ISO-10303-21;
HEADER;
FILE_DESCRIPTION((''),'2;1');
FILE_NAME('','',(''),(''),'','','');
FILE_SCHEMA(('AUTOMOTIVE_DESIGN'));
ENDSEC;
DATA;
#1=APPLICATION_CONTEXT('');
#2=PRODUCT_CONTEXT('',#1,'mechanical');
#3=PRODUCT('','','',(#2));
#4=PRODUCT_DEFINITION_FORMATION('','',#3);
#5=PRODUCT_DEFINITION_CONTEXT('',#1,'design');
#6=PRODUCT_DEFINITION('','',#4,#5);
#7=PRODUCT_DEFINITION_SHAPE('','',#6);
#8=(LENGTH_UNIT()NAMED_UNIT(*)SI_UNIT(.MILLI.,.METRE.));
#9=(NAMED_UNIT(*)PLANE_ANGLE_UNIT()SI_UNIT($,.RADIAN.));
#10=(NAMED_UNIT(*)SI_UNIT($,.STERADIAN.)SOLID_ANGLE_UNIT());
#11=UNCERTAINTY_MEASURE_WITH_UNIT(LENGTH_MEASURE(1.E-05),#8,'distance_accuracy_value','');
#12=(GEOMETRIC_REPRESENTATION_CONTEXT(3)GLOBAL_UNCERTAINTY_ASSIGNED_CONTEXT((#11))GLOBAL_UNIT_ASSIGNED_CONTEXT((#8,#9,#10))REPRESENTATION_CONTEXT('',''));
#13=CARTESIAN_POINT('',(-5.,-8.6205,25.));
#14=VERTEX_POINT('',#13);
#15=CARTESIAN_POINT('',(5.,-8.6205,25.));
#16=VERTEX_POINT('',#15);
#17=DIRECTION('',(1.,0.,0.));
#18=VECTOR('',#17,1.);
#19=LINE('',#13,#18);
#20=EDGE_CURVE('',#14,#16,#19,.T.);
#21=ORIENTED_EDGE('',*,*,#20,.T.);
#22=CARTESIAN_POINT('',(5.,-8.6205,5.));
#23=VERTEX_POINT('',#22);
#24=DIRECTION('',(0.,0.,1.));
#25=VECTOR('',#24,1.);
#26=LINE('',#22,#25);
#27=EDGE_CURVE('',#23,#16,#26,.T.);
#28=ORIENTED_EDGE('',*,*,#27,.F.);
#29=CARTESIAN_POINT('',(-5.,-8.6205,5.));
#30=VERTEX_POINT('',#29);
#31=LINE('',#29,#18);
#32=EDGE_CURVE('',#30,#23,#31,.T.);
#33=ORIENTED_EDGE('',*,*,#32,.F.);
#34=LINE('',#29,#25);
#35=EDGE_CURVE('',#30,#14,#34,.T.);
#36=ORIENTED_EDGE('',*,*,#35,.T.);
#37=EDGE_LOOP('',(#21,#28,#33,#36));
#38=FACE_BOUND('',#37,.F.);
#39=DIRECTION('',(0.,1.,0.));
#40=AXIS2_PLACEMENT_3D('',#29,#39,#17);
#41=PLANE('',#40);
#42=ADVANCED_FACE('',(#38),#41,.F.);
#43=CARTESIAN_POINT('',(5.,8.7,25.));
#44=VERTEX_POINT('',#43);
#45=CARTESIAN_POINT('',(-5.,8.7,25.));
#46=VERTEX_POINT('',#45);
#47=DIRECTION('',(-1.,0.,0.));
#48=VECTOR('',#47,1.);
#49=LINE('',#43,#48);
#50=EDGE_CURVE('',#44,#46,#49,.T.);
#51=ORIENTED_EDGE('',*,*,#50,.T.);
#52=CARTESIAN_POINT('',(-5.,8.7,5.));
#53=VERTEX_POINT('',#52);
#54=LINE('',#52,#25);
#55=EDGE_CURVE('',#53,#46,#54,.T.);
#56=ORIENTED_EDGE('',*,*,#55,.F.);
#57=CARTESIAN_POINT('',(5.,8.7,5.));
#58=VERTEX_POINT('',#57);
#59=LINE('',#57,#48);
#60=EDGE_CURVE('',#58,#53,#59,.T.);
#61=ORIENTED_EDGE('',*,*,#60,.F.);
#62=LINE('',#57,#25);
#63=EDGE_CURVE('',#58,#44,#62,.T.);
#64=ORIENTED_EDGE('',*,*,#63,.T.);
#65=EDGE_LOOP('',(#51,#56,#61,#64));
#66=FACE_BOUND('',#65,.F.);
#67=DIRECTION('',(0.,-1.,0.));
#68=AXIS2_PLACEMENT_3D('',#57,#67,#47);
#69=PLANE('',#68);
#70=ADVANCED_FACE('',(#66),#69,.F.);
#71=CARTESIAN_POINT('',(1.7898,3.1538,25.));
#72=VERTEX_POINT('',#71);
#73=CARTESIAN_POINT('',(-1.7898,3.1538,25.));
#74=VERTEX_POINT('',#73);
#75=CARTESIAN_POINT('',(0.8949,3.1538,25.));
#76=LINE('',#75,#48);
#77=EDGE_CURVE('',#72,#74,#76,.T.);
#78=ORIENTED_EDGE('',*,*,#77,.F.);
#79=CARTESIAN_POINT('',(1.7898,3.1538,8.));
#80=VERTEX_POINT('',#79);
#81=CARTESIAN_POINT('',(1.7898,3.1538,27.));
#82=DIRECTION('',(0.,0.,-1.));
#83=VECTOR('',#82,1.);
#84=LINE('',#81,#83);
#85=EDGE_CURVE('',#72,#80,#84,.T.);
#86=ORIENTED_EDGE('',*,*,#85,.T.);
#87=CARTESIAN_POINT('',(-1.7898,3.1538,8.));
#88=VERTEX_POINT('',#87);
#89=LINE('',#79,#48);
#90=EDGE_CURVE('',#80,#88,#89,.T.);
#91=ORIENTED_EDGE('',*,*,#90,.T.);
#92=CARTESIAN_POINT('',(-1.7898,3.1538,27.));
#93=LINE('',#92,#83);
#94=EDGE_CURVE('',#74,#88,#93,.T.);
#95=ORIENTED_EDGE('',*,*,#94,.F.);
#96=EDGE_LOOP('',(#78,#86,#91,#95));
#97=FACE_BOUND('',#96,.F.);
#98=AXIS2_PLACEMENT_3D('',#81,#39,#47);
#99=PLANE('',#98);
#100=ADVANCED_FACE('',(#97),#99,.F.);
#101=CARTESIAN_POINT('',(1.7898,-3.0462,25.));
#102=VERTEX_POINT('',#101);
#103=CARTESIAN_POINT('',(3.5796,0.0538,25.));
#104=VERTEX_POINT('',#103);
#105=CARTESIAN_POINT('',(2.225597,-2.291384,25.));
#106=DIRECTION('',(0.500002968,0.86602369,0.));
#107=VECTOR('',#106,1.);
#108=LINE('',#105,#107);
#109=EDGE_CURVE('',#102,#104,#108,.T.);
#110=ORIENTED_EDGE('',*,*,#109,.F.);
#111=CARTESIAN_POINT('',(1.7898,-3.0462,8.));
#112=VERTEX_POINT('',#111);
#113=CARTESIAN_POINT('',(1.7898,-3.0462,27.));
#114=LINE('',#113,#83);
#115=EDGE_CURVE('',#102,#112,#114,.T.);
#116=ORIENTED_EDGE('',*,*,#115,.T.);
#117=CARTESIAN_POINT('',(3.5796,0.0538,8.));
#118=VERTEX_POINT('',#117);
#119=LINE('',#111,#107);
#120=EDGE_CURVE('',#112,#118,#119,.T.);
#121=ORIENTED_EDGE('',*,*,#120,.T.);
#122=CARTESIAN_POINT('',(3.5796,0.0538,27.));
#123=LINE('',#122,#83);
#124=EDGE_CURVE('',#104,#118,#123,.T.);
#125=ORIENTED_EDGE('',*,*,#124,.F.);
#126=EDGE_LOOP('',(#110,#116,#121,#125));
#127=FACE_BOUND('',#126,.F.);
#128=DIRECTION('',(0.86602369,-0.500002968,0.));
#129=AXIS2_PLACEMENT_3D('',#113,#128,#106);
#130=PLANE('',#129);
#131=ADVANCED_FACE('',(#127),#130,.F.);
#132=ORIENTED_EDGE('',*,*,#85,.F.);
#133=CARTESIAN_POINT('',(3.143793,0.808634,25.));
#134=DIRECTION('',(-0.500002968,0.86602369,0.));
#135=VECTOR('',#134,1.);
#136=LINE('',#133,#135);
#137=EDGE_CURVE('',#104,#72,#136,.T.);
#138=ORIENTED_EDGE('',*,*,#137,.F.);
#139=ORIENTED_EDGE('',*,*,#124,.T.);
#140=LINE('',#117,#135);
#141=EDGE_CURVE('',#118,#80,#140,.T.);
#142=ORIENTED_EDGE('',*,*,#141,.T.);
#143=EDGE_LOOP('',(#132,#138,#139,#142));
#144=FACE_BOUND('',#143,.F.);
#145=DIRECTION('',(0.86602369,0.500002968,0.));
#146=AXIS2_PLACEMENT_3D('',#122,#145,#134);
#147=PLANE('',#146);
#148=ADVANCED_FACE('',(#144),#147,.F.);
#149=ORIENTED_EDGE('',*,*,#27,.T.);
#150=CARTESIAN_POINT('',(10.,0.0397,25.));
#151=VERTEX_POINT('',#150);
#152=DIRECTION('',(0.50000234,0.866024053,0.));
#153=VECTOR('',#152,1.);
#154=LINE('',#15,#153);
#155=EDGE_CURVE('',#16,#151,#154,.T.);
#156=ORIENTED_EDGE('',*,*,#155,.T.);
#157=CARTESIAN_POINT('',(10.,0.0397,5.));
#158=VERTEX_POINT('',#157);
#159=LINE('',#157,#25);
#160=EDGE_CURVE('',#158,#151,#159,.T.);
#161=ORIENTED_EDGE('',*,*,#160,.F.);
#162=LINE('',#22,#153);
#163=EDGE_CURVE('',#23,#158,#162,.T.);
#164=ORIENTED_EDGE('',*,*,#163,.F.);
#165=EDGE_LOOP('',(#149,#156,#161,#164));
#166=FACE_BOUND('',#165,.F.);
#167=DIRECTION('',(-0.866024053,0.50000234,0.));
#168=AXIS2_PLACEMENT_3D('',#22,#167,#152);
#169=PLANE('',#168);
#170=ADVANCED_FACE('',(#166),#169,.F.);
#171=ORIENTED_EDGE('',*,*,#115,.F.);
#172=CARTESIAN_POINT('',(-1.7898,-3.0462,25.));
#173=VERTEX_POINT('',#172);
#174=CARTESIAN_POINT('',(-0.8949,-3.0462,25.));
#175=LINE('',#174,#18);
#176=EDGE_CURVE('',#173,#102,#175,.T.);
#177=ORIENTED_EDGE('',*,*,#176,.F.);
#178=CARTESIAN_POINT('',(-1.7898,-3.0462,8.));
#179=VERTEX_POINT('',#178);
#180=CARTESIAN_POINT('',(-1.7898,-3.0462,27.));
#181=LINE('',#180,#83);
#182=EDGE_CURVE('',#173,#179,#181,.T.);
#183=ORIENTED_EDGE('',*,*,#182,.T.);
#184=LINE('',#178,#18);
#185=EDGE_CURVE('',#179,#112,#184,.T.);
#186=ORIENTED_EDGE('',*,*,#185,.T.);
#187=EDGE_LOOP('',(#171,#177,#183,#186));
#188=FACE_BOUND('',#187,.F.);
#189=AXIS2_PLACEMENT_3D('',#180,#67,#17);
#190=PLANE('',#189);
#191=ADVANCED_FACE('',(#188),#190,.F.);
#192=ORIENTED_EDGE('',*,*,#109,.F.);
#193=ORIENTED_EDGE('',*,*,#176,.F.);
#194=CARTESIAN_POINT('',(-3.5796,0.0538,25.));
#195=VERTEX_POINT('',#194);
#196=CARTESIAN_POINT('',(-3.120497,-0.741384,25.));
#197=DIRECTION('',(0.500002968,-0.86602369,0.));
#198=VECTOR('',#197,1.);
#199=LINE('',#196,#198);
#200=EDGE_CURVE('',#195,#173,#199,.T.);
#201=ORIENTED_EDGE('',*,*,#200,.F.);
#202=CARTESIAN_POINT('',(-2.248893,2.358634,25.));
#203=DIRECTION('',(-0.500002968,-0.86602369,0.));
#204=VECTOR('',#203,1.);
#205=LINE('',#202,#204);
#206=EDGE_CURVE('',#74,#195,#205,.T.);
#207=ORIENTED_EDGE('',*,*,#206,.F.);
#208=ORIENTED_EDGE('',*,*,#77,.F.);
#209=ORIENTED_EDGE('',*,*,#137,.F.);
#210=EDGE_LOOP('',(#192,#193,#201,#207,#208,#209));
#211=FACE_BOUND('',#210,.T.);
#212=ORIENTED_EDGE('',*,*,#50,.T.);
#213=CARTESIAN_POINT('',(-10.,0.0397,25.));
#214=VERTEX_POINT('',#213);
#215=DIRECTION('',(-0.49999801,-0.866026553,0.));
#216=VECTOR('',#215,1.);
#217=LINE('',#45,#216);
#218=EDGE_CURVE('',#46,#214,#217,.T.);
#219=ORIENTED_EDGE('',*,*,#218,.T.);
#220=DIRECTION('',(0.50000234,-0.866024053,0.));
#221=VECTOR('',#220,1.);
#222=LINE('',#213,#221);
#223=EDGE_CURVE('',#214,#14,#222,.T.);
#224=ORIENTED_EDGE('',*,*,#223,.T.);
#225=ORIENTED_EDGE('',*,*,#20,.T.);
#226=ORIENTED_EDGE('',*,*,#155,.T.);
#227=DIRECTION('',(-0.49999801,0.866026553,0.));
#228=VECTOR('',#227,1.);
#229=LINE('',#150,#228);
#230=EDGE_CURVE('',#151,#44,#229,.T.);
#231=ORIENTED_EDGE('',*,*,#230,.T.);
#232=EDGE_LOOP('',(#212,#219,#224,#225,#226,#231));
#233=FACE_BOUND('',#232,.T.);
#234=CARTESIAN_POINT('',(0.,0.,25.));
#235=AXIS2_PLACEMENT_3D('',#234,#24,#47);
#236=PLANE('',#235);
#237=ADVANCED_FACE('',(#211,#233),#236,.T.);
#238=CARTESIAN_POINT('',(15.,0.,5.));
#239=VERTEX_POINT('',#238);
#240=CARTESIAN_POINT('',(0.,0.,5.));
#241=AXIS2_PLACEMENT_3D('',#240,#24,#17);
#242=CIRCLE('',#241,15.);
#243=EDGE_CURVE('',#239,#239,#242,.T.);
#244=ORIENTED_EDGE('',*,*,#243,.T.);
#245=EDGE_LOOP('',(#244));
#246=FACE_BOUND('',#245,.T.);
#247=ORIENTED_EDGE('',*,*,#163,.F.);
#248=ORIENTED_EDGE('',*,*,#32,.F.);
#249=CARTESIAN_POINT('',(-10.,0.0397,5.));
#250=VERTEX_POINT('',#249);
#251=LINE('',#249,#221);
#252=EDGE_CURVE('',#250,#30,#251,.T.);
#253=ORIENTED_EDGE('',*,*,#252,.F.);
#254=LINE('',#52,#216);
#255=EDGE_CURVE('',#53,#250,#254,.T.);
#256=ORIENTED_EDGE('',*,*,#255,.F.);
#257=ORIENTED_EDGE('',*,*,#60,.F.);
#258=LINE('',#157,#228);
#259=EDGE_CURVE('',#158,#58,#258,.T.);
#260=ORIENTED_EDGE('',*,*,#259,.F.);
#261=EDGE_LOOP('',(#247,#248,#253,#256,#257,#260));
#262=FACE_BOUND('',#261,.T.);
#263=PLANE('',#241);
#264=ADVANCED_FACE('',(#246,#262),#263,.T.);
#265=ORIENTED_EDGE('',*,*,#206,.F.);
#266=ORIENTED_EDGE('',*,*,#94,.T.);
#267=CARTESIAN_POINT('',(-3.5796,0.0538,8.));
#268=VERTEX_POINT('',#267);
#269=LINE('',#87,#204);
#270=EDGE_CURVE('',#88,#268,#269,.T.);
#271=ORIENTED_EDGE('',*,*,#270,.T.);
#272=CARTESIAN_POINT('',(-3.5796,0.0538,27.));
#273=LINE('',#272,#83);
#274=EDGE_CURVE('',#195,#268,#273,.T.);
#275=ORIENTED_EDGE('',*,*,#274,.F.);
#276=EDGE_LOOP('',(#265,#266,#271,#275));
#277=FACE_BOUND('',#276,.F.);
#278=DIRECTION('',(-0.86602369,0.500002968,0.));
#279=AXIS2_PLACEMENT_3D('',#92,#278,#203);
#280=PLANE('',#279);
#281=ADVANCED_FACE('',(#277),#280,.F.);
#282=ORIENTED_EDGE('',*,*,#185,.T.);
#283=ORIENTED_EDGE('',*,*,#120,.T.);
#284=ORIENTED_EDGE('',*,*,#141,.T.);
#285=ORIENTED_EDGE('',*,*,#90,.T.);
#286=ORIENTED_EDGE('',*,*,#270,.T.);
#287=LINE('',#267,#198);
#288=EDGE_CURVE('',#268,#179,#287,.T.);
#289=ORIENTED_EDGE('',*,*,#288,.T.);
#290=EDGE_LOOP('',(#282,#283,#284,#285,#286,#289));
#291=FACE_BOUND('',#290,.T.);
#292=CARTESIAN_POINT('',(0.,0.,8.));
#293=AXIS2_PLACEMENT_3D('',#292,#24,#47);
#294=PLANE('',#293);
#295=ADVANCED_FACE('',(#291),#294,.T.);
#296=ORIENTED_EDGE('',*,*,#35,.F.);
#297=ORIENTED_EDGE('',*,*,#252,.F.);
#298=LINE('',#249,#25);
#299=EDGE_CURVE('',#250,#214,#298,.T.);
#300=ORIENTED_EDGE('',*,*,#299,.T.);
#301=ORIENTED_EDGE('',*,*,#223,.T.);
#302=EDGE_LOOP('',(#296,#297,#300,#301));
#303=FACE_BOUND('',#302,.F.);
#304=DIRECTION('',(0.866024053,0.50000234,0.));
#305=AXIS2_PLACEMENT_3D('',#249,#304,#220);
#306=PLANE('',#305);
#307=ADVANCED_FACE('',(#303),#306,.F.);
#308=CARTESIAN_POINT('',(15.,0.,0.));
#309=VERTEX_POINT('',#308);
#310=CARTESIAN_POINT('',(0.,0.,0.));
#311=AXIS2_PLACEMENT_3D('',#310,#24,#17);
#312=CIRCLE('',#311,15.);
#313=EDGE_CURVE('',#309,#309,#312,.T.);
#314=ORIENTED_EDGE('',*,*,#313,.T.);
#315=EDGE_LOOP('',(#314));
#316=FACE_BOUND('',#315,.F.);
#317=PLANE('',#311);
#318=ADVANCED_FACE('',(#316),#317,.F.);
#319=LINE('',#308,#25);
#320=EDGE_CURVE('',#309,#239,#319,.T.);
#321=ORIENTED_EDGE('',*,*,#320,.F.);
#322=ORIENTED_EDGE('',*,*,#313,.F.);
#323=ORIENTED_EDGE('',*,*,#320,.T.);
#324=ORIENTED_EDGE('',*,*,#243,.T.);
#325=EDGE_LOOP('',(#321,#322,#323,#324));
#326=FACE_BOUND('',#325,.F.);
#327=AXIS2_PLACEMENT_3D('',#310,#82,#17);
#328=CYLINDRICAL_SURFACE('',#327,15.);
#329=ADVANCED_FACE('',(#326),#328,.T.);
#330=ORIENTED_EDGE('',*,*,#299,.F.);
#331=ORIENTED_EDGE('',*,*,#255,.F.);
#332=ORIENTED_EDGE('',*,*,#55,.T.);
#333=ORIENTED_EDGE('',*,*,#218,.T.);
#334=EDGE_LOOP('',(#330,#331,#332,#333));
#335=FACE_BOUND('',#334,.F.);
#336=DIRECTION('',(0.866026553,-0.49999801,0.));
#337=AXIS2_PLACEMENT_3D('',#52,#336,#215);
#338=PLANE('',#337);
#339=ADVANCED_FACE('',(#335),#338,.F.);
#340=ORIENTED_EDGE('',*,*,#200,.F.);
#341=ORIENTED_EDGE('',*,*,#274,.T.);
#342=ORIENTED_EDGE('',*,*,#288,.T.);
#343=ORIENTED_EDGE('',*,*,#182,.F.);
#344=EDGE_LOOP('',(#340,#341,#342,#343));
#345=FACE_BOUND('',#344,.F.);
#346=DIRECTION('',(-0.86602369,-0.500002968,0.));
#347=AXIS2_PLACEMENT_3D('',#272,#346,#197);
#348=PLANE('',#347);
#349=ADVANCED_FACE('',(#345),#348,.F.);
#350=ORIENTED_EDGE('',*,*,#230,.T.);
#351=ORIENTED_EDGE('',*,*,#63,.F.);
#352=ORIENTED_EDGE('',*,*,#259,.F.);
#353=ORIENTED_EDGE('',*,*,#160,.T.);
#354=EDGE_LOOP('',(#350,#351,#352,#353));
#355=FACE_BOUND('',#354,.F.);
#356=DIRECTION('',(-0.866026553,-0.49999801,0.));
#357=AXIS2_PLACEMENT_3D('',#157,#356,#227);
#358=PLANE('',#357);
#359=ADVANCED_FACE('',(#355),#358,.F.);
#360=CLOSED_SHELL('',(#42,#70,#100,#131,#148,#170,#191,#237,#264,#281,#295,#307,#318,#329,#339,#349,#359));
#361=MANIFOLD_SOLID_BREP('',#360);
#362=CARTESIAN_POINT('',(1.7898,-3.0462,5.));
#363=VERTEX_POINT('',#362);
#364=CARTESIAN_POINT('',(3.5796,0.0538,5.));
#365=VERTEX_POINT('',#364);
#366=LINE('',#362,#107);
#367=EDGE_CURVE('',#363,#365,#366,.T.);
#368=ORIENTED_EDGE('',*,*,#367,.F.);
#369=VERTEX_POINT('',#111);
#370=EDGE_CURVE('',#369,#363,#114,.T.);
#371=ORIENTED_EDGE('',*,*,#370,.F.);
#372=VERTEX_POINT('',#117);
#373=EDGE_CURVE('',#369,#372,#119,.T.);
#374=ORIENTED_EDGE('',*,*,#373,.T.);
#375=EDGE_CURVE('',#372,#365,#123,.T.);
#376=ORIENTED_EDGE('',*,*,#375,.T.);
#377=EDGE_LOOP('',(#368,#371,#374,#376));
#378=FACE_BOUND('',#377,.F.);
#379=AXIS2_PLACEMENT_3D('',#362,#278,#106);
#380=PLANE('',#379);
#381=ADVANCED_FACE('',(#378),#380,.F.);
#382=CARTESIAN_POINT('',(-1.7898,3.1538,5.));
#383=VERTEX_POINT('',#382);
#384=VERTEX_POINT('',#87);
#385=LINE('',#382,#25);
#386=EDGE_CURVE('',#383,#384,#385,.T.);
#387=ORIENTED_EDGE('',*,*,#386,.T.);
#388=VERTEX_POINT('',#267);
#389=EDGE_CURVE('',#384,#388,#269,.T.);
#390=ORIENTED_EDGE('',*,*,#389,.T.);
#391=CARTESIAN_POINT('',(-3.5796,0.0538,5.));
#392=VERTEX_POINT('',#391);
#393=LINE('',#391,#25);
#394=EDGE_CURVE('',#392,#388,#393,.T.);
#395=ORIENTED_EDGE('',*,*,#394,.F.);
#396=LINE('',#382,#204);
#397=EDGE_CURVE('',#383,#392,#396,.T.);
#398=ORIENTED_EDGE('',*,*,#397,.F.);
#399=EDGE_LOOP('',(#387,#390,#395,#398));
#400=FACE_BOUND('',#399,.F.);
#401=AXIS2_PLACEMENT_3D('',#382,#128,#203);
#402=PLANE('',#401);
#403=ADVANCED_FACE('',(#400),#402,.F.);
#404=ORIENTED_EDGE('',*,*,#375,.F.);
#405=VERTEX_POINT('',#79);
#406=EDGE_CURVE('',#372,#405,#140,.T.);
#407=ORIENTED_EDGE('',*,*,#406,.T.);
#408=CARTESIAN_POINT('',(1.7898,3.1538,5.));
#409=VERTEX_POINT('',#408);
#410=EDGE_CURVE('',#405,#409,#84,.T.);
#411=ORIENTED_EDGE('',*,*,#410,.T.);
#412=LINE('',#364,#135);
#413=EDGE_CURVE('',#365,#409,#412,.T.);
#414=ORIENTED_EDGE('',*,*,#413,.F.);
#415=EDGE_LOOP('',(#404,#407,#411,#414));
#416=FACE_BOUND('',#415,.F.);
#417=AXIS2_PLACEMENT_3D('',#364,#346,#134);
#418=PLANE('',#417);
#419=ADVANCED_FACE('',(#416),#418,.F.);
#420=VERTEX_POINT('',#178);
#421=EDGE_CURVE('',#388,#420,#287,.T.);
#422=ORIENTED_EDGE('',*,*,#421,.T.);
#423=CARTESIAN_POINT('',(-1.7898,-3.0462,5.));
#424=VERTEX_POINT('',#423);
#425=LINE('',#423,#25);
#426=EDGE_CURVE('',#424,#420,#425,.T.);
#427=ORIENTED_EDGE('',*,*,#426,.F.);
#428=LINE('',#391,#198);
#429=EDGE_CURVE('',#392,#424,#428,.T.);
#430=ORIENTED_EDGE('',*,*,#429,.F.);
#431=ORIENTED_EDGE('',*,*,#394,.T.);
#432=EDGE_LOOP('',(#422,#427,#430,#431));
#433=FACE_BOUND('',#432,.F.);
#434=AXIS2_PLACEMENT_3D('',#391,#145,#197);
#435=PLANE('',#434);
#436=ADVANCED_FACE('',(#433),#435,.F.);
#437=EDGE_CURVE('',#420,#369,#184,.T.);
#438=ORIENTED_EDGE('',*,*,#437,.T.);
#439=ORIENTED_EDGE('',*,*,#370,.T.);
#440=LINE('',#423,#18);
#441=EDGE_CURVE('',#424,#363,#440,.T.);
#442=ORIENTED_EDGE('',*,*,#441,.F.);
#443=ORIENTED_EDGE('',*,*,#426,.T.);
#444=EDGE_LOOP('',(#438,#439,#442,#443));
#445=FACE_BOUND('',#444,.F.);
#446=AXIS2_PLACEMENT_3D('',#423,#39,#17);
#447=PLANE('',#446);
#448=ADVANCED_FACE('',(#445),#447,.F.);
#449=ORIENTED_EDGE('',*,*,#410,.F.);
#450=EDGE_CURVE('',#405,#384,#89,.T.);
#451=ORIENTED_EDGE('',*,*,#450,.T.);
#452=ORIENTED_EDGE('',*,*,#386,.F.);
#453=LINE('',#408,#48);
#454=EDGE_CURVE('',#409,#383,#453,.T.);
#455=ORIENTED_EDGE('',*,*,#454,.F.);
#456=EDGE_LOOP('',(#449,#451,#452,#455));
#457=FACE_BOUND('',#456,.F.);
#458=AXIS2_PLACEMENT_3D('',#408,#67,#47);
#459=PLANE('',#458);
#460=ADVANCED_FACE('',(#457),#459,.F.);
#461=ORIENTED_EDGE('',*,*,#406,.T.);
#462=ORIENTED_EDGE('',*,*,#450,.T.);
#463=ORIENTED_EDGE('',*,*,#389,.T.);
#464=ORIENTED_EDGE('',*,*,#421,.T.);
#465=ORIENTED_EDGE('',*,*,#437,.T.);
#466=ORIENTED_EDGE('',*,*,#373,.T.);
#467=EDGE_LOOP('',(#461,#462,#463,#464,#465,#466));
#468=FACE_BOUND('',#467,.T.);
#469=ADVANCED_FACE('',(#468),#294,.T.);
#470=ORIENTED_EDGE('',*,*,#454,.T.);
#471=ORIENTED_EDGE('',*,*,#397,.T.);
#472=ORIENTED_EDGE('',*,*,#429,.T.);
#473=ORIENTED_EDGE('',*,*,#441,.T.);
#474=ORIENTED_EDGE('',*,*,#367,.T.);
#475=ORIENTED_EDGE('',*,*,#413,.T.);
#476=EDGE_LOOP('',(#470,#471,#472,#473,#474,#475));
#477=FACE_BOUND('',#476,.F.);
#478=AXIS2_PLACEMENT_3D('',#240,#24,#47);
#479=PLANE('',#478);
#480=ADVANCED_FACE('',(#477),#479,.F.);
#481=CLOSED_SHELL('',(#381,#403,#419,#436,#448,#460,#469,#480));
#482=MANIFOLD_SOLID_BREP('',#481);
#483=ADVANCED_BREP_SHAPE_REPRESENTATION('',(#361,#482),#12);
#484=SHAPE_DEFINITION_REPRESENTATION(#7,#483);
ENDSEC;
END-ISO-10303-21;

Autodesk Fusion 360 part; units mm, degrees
sketch "Sketch1" plane through (0, 0, 0) normal (0, 0, 1) x (1, 0, 0)
  circle A0 centre (0, 0) radius 15
  dimension "d1" = 30
extrude "Extrude1" add sketch "Sketch1" along normal blind 5 makes body 1
sketch "Sketch2" plane through (0, 0, 5) normal (0, 0, 1) x (-1, 0, 0)
  circle A0 centre (0, 0) radius 15
  line L0 (5, -8.7) -> (10, -0.0397)
  line L1 (10, -0.0397) -> (5, 8.6205)
  line L2 (5, 8.6205) -> (-5, 8.6205)
  line L3 (-5, 8.6205) -> (-10, -0.0397)
  line L4 (-10, -0.0397) -> (-5, -8.7)
  line L5 (-5, -8.7) -> (5, -8.7)
  point P0 (0, -0.0397)
extrude "Extrude2" add sketch "Sketch2" along normal blind 20 contours L0 L1 L2 L3 L4 L5 bodies 1
sketch "Sketch3" plane through (0, 0, 5) normal (0, 0, 1) x (-1, 0, 0)
  line L0 (1.7898, -3.1538) -> (3.5796, -0.0538)
  line L1 (3.5796, -0.0538) -> (1.7898, 3.0462)
  line L2 (1.7898, 3.0462) -> (-1.7898, 3.0462)
  line L3 (-1.7898, 3.0462) -> (-3.5796, -0.0538)
  line L4 (-3.5796, -0.0538) -> (-1.7898, -3.1538)
  line L5 (-1.7898, -3.1538) -> (1.7898, -3.1538)
  point P0 (0, -0.0538)
  dimension "d6" = 6.2
extrude "Extrude3" add sketch "Sketch3" along normal blind 14 separate body makes body 2
extrude "Extrude4" add 1 faces at (-0.5966, -0.9795, 19) along direction (0, 0, 1) blind 8 on bodies 2 bodies 2
extrude "Extrude5" cut 1 faces at (-0.5966, -0.9795, 27) along direction (0, 0, -1) blind 19 on bodies 2 bodies 1 2
